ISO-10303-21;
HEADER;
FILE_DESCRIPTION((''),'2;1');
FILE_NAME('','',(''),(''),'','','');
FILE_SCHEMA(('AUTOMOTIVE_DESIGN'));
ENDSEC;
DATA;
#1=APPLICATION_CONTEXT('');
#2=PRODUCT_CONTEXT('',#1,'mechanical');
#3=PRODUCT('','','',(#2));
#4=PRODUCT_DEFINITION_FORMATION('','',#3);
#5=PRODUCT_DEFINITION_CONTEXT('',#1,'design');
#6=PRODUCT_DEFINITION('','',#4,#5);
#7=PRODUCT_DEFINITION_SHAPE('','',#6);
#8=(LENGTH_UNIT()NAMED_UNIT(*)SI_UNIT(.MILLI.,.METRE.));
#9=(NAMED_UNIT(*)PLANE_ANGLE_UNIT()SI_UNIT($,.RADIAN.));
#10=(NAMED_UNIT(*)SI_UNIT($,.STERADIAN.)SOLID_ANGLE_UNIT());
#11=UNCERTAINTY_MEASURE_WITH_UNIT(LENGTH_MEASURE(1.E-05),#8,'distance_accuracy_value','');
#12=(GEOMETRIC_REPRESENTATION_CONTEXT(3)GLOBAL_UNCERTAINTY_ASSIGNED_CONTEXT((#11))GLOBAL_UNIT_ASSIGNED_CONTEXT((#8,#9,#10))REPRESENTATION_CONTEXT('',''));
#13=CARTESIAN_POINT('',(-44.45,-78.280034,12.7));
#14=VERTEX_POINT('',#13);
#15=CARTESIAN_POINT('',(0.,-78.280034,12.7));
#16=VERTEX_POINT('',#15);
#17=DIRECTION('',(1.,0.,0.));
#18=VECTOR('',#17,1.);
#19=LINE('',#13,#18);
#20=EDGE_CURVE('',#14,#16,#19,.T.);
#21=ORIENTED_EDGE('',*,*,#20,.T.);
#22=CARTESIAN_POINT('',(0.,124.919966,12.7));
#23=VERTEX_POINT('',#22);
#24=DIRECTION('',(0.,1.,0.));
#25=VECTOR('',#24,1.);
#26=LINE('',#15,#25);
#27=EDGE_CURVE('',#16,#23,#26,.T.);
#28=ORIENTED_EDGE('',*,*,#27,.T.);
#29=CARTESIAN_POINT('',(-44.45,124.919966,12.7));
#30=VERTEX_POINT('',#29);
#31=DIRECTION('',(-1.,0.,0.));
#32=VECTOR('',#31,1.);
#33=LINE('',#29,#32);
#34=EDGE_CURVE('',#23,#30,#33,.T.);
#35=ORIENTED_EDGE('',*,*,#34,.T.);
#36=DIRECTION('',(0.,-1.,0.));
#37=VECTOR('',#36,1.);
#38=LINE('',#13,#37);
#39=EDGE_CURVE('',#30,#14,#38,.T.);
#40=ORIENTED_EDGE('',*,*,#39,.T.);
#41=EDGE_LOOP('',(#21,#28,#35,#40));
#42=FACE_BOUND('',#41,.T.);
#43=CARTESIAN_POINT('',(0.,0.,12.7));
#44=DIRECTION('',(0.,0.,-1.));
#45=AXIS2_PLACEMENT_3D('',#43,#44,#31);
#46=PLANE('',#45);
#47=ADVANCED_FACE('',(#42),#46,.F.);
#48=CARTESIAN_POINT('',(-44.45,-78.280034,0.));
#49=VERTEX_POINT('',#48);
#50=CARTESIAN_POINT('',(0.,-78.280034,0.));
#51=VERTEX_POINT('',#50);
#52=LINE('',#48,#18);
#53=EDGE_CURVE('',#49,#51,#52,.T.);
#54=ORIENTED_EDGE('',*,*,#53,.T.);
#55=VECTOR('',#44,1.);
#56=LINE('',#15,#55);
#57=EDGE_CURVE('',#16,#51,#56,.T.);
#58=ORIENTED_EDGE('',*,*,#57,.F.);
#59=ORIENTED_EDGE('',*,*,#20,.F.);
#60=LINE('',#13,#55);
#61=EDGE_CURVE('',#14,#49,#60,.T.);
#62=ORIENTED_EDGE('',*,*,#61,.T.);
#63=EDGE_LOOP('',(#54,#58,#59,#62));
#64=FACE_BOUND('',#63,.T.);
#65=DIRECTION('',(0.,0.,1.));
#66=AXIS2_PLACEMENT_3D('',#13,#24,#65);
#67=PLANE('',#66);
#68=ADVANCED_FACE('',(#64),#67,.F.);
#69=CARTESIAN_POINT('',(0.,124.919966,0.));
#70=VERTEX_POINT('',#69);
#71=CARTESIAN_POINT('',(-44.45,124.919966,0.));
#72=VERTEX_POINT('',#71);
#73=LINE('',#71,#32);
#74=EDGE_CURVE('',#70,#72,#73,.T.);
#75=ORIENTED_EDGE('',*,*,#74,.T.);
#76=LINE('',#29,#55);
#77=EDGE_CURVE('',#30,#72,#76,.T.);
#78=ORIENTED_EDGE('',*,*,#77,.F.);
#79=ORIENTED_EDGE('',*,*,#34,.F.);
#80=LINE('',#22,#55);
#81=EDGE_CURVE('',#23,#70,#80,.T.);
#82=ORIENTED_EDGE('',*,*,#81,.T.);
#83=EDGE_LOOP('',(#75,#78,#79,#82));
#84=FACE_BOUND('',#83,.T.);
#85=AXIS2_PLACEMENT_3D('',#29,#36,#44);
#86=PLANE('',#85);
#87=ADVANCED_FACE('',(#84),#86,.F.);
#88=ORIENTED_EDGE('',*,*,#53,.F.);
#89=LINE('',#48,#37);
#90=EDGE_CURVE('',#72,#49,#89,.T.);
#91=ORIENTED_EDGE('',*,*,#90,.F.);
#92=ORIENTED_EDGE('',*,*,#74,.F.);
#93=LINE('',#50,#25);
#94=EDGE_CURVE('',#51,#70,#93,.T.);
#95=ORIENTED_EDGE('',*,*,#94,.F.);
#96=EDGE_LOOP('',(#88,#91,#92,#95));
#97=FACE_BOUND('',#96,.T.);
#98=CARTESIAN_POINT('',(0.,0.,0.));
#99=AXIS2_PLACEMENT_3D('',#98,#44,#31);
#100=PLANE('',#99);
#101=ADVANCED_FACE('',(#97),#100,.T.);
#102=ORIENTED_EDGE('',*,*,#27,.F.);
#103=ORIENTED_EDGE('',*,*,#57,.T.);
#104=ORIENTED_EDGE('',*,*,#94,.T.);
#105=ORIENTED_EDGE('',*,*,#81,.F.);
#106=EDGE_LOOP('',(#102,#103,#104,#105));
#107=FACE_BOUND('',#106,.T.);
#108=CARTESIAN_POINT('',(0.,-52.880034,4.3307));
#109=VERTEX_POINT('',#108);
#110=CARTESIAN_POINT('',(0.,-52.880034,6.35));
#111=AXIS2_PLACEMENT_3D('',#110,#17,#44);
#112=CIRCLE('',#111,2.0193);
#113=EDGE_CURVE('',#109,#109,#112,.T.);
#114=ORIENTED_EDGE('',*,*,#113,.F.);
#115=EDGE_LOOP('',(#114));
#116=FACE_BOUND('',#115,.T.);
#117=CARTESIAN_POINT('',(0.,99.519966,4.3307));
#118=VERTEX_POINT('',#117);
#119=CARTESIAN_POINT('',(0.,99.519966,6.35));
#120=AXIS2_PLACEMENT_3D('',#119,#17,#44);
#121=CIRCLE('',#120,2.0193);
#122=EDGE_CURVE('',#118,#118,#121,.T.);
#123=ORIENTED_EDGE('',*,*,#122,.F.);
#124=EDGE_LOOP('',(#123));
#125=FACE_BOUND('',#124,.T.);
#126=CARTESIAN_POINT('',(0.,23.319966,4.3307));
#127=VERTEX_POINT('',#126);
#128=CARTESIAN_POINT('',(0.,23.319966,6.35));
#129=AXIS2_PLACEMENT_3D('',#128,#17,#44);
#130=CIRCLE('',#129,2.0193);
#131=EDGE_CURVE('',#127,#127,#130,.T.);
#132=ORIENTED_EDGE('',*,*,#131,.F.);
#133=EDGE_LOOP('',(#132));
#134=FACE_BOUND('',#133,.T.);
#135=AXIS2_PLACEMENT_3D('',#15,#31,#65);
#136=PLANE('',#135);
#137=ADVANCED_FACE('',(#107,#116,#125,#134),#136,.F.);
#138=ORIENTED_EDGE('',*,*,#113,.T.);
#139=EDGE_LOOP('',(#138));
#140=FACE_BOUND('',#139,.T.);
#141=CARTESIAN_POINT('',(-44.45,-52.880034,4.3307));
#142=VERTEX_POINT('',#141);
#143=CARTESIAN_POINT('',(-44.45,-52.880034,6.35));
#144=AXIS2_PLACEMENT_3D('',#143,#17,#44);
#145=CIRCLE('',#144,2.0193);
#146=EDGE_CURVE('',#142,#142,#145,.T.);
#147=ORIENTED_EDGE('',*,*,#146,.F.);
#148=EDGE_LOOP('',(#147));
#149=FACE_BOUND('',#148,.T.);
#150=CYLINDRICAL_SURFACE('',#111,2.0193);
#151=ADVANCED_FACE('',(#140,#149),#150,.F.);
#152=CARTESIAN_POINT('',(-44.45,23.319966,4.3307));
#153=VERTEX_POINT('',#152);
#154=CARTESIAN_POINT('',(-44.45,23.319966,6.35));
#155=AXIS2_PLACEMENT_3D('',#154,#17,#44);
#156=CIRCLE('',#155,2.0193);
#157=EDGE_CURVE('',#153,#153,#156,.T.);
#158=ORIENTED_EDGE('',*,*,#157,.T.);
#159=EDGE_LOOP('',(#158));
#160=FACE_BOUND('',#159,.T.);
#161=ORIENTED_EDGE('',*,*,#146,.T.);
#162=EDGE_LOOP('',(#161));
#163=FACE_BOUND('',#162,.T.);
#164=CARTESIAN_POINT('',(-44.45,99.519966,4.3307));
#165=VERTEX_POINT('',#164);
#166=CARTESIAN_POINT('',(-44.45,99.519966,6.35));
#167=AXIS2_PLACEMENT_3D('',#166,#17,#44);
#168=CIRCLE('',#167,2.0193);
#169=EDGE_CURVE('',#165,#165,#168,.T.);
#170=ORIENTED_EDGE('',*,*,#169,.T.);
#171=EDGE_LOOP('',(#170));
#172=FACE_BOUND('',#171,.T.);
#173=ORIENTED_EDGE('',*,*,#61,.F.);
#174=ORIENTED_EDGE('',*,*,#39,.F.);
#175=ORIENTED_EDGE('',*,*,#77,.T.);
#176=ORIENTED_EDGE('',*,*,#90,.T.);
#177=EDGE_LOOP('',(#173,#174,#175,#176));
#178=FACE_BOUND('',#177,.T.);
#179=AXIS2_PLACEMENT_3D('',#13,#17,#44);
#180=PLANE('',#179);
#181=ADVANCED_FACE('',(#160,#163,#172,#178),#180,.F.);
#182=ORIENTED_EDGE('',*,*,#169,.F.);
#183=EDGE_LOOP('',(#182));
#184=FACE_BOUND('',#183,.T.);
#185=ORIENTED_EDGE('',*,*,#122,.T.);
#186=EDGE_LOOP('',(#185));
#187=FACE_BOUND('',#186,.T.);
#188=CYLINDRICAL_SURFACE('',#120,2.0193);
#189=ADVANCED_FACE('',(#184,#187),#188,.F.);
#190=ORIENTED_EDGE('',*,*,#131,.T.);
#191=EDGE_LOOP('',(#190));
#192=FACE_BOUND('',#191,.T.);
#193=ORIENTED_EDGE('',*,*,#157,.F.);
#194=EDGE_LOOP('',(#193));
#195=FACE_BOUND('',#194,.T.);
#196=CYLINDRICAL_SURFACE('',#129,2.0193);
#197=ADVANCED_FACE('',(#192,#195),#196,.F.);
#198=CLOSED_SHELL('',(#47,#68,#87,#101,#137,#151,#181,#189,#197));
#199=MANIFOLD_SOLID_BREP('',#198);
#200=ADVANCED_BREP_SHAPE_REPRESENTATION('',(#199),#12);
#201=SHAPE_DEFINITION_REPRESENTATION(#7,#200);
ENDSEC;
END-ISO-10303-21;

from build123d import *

# Parameters (mm, degrees)
SKETCH1_W              = 44.45
SKETCH1_H              = 203.2
BOSS_EXTRUDE1_DEPTH    = 12.7
F_10_32_TAPPED_HOLE1_D = 4.0386


with BuildPart() as part:
    # Sketch1 → Boss-Extrude1 (new body)
    with BuildSketch(Plane.XY):
        with Locations((-22.225, 23.319966314)):
            Rectangle(SKETCH1_W, SKETCH1_H)
    extrude(amount=BOSS_EXTRUDE1_DEPTH)

    # #10-32 Tapped Hole1 (through all)
    with Locations(Plane(origin=(0, 0, 0), x_dir=(0, 0, -1), z_dir=(1, 0, 0))):
        with Locations((-6.35, 99.519966314), (-6.35, 23.319966314), (-6.35, -52.880033686)):
            Hole(F_10_32_TAPPED_HOLE1_D / 2)


solid = part.part
